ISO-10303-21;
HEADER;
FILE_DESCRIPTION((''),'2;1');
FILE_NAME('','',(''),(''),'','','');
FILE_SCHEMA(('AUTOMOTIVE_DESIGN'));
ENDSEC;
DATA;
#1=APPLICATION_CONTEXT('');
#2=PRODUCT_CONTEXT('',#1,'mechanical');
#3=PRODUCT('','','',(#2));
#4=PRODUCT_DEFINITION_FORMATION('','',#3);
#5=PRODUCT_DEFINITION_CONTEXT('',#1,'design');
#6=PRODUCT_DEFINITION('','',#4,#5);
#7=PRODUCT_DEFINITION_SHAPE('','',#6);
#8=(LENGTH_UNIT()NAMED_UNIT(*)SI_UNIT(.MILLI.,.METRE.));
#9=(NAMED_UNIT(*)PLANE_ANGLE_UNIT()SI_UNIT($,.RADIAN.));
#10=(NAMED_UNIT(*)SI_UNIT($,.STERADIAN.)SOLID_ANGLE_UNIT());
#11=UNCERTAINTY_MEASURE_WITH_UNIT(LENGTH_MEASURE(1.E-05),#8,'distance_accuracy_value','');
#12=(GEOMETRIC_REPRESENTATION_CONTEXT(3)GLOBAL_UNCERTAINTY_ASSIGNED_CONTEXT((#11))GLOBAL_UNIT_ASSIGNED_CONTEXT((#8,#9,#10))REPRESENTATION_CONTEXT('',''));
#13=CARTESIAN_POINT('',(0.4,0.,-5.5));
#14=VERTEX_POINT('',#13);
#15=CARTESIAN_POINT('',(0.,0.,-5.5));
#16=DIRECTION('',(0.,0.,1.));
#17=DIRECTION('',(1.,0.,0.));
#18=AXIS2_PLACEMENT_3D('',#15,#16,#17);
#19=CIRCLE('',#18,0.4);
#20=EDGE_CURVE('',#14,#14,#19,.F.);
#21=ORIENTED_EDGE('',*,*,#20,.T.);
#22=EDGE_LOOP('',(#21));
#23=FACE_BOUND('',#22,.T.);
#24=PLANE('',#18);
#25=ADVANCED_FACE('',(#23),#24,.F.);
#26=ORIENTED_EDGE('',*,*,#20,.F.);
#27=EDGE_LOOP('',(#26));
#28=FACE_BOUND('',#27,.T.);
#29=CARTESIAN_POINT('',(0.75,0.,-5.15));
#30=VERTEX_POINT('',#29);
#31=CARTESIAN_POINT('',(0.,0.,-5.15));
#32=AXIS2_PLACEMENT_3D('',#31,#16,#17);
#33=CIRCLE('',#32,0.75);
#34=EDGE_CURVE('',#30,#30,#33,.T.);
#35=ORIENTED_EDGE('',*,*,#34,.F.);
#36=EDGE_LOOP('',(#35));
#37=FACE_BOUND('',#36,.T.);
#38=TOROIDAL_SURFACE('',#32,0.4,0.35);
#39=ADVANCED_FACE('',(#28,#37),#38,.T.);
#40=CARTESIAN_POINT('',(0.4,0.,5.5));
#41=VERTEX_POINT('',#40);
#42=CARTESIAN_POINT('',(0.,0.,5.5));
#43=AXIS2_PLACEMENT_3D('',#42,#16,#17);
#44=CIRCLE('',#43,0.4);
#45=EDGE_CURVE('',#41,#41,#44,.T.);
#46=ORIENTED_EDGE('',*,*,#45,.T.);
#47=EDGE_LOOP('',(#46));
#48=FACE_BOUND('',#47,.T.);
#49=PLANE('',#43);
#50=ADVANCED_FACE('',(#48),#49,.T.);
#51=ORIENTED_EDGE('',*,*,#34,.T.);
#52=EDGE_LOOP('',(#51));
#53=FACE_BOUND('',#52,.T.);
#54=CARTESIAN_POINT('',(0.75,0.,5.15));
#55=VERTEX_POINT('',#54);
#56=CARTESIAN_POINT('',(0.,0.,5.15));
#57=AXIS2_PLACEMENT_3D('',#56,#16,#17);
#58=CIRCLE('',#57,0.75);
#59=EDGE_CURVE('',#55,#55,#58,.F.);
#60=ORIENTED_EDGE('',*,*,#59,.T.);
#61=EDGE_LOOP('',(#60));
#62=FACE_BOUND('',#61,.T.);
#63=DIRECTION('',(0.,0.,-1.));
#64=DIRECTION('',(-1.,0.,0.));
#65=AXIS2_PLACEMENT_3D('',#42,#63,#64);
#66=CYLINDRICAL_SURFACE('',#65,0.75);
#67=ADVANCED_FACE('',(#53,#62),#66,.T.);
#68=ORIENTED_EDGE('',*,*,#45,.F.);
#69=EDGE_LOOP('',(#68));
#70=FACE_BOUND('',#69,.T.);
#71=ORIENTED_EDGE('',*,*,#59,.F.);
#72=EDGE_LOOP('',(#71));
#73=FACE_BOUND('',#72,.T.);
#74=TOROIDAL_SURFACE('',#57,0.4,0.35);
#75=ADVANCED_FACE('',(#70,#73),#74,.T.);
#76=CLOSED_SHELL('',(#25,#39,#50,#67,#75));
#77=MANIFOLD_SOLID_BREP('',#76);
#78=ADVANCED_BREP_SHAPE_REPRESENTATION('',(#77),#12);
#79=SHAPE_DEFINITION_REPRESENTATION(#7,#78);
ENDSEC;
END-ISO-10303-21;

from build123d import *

# Parameters (mm, degrees)
SKETCH1_R           = 0.75
BOSS_EXTRUDE1_DEPTH = 5.5
FILLET1_R           = 0.35


with BuildPart() as part:
    # Sketch1 → Boss-Extrude1 (new body, symmetric)
    with BuildSketch(Plane.XY):
        Circle(SKETCH1_R)
    extrude(amount=BOSS_EXTRUDE1_DEPTH, both=True)

    # Fillet1
    fillet1_edges = [part.edges().sort_by_distance(p)[0] for p in [
        (-0.75, 0, -5.5),
        (-0.75, 0, 5.5),
    ]]
    fillet(fillet1_edges, radius=FILLET1_R)


solid = part.part
